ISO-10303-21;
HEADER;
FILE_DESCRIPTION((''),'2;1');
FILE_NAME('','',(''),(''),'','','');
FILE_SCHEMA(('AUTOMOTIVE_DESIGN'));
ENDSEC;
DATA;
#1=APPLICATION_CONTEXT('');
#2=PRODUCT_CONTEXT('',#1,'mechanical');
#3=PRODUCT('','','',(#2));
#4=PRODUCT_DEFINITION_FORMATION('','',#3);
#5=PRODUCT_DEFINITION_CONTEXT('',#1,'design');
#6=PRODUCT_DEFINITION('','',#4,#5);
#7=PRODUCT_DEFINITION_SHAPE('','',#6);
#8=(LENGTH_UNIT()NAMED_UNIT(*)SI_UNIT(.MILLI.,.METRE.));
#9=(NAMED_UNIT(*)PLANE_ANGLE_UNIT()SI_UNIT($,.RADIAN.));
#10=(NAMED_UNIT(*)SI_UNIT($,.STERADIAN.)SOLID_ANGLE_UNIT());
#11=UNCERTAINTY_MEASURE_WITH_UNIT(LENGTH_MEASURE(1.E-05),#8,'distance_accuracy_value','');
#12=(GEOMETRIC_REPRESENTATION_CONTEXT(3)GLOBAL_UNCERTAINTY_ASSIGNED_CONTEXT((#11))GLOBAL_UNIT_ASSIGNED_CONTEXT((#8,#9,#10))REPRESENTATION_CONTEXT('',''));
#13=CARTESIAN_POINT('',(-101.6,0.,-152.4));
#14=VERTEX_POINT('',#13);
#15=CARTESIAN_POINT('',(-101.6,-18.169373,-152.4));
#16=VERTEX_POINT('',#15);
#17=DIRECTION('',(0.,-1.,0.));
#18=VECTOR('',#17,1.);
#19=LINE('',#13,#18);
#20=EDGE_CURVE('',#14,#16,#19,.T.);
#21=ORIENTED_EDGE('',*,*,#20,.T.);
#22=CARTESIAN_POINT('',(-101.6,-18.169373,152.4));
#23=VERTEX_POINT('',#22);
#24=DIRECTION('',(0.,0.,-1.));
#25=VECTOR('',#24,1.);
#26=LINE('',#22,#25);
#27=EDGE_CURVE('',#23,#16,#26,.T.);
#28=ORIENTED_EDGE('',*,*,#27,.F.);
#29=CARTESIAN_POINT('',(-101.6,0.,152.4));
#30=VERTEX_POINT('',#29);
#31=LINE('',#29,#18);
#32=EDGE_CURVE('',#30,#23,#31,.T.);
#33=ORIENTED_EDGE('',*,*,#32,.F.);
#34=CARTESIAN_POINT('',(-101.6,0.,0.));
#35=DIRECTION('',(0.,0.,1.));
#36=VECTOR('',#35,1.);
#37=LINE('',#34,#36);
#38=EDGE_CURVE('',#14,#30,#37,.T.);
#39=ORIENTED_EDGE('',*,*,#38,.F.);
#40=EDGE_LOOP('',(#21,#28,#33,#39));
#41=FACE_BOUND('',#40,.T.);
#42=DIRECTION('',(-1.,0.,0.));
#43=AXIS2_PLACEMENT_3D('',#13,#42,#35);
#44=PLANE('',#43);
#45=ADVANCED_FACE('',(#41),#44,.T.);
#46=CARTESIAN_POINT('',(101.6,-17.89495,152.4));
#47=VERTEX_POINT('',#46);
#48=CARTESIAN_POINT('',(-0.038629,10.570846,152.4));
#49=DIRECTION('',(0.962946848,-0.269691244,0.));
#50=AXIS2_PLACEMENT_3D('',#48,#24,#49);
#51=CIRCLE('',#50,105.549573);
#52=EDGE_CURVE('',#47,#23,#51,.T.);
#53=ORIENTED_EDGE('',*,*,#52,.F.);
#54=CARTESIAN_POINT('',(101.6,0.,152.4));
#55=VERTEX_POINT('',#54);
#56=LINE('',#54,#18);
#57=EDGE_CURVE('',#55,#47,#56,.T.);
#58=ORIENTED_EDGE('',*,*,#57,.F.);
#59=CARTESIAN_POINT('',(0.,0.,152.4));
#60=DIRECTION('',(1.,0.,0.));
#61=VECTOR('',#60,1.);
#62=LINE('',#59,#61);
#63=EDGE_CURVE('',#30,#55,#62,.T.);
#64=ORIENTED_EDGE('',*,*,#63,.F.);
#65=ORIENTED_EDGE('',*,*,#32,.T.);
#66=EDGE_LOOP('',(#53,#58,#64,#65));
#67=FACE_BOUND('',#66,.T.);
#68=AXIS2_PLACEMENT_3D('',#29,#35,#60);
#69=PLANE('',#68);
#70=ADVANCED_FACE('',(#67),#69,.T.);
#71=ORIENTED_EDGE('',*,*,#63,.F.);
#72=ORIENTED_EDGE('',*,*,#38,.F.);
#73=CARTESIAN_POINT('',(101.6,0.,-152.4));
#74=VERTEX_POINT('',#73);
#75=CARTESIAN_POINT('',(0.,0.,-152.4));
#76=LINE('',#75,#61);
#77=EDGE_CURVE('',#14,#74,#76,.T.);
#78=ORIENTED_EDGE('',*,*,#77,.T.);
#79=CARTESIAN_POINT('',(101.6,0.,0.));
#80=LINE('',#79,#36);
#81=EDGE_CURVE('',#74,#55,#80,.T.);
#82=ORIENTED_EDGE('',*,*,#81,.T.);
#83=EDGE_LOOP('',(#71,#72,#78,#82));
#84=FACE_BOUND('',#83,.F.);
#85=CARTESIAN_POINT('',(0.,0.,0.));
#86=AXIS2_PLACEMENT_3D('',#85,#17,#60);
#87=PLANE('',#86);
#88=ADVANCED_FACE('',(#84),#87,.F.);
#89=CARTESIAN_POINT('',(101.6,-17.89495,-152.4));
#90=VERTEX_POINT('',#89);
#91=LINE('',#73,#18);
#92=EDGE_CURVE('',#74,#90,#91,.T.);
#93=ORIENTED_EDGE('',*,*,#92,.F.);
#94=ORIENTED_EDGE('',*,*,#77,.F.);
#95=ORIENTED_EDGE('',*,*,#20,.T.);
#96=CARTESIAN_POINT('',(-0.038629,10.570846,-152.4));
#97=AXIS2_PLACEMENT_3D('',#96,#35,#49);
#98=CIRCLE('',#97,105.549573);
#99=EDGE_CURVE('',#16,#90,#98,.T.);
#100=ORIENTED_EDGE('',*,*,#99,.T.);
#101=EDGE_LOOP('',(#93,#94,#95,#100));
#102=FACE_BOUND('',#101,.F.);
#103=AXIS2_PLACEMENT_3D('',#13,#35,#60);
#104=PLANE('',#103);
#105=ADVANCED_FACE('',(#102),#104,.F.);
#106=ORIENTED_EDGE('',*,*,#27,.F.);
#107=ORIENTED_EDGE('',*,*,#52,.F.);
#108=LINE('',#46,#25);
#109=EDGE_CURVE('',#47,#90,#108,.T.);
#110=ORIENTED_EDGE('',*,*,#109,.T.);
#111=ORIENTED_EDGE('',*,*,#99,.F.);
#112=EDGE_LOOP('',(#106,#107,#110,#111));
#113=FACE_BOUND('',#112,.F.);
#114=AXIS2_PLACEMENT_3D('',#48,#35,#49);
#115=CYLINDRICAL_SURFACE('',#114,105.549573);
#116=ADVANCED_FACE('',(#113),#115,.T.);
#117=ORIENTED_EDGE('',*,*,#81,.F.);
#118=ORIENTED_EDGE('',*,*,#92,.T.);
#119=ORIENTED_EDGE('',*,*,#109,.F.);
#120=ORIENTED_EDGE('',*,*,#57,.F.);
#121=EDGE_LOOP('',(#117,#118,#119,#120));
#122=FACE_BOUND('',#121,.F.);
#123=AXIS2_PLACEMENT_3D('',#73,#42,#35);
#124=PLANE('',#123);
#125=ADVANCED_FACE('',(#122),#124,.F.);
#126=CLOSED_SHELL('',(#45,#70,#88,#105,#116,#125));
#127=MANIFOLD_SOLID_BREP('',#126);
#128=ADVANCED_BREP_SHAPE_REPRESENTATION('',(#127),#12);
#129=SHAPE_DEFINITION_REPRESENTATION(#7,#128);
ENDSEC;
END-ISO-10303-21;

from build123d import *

# Parameters (mm, degrees)
F0_W     = 203.2
F0_H     = 304.8
F1_DEPTH = 95.25
F3_DEPTH = 317.5


with BuildPart() as f1:
    # F0 (on Front) → F1 (new body)
    with BuildSketch(Plane.XZ):
        Rectangle(F0_W, F0_H)
    extrude(amount=F1_DEPTH)

    # F2 (on face) → F3 (cut)
    with BuildSketch(Plane.XY.offset(152.4)):
        with BuildLine():
            ThreePointArc((101.6, -17.89495), (0.103917, -94.978631), (-101.6, -18.169373))
            Line((-101.6, -18.169373), (-101.6, -95.25))
            Line((-101.6, -95.25), (101.6, -95.25))
            Line((101.6, -95.25), (101.6, -17.89495))
        make_face()
    extrude(amount=-F3_DEPTH, mode=Mode.SUBTRACT)


solid = f1.part
